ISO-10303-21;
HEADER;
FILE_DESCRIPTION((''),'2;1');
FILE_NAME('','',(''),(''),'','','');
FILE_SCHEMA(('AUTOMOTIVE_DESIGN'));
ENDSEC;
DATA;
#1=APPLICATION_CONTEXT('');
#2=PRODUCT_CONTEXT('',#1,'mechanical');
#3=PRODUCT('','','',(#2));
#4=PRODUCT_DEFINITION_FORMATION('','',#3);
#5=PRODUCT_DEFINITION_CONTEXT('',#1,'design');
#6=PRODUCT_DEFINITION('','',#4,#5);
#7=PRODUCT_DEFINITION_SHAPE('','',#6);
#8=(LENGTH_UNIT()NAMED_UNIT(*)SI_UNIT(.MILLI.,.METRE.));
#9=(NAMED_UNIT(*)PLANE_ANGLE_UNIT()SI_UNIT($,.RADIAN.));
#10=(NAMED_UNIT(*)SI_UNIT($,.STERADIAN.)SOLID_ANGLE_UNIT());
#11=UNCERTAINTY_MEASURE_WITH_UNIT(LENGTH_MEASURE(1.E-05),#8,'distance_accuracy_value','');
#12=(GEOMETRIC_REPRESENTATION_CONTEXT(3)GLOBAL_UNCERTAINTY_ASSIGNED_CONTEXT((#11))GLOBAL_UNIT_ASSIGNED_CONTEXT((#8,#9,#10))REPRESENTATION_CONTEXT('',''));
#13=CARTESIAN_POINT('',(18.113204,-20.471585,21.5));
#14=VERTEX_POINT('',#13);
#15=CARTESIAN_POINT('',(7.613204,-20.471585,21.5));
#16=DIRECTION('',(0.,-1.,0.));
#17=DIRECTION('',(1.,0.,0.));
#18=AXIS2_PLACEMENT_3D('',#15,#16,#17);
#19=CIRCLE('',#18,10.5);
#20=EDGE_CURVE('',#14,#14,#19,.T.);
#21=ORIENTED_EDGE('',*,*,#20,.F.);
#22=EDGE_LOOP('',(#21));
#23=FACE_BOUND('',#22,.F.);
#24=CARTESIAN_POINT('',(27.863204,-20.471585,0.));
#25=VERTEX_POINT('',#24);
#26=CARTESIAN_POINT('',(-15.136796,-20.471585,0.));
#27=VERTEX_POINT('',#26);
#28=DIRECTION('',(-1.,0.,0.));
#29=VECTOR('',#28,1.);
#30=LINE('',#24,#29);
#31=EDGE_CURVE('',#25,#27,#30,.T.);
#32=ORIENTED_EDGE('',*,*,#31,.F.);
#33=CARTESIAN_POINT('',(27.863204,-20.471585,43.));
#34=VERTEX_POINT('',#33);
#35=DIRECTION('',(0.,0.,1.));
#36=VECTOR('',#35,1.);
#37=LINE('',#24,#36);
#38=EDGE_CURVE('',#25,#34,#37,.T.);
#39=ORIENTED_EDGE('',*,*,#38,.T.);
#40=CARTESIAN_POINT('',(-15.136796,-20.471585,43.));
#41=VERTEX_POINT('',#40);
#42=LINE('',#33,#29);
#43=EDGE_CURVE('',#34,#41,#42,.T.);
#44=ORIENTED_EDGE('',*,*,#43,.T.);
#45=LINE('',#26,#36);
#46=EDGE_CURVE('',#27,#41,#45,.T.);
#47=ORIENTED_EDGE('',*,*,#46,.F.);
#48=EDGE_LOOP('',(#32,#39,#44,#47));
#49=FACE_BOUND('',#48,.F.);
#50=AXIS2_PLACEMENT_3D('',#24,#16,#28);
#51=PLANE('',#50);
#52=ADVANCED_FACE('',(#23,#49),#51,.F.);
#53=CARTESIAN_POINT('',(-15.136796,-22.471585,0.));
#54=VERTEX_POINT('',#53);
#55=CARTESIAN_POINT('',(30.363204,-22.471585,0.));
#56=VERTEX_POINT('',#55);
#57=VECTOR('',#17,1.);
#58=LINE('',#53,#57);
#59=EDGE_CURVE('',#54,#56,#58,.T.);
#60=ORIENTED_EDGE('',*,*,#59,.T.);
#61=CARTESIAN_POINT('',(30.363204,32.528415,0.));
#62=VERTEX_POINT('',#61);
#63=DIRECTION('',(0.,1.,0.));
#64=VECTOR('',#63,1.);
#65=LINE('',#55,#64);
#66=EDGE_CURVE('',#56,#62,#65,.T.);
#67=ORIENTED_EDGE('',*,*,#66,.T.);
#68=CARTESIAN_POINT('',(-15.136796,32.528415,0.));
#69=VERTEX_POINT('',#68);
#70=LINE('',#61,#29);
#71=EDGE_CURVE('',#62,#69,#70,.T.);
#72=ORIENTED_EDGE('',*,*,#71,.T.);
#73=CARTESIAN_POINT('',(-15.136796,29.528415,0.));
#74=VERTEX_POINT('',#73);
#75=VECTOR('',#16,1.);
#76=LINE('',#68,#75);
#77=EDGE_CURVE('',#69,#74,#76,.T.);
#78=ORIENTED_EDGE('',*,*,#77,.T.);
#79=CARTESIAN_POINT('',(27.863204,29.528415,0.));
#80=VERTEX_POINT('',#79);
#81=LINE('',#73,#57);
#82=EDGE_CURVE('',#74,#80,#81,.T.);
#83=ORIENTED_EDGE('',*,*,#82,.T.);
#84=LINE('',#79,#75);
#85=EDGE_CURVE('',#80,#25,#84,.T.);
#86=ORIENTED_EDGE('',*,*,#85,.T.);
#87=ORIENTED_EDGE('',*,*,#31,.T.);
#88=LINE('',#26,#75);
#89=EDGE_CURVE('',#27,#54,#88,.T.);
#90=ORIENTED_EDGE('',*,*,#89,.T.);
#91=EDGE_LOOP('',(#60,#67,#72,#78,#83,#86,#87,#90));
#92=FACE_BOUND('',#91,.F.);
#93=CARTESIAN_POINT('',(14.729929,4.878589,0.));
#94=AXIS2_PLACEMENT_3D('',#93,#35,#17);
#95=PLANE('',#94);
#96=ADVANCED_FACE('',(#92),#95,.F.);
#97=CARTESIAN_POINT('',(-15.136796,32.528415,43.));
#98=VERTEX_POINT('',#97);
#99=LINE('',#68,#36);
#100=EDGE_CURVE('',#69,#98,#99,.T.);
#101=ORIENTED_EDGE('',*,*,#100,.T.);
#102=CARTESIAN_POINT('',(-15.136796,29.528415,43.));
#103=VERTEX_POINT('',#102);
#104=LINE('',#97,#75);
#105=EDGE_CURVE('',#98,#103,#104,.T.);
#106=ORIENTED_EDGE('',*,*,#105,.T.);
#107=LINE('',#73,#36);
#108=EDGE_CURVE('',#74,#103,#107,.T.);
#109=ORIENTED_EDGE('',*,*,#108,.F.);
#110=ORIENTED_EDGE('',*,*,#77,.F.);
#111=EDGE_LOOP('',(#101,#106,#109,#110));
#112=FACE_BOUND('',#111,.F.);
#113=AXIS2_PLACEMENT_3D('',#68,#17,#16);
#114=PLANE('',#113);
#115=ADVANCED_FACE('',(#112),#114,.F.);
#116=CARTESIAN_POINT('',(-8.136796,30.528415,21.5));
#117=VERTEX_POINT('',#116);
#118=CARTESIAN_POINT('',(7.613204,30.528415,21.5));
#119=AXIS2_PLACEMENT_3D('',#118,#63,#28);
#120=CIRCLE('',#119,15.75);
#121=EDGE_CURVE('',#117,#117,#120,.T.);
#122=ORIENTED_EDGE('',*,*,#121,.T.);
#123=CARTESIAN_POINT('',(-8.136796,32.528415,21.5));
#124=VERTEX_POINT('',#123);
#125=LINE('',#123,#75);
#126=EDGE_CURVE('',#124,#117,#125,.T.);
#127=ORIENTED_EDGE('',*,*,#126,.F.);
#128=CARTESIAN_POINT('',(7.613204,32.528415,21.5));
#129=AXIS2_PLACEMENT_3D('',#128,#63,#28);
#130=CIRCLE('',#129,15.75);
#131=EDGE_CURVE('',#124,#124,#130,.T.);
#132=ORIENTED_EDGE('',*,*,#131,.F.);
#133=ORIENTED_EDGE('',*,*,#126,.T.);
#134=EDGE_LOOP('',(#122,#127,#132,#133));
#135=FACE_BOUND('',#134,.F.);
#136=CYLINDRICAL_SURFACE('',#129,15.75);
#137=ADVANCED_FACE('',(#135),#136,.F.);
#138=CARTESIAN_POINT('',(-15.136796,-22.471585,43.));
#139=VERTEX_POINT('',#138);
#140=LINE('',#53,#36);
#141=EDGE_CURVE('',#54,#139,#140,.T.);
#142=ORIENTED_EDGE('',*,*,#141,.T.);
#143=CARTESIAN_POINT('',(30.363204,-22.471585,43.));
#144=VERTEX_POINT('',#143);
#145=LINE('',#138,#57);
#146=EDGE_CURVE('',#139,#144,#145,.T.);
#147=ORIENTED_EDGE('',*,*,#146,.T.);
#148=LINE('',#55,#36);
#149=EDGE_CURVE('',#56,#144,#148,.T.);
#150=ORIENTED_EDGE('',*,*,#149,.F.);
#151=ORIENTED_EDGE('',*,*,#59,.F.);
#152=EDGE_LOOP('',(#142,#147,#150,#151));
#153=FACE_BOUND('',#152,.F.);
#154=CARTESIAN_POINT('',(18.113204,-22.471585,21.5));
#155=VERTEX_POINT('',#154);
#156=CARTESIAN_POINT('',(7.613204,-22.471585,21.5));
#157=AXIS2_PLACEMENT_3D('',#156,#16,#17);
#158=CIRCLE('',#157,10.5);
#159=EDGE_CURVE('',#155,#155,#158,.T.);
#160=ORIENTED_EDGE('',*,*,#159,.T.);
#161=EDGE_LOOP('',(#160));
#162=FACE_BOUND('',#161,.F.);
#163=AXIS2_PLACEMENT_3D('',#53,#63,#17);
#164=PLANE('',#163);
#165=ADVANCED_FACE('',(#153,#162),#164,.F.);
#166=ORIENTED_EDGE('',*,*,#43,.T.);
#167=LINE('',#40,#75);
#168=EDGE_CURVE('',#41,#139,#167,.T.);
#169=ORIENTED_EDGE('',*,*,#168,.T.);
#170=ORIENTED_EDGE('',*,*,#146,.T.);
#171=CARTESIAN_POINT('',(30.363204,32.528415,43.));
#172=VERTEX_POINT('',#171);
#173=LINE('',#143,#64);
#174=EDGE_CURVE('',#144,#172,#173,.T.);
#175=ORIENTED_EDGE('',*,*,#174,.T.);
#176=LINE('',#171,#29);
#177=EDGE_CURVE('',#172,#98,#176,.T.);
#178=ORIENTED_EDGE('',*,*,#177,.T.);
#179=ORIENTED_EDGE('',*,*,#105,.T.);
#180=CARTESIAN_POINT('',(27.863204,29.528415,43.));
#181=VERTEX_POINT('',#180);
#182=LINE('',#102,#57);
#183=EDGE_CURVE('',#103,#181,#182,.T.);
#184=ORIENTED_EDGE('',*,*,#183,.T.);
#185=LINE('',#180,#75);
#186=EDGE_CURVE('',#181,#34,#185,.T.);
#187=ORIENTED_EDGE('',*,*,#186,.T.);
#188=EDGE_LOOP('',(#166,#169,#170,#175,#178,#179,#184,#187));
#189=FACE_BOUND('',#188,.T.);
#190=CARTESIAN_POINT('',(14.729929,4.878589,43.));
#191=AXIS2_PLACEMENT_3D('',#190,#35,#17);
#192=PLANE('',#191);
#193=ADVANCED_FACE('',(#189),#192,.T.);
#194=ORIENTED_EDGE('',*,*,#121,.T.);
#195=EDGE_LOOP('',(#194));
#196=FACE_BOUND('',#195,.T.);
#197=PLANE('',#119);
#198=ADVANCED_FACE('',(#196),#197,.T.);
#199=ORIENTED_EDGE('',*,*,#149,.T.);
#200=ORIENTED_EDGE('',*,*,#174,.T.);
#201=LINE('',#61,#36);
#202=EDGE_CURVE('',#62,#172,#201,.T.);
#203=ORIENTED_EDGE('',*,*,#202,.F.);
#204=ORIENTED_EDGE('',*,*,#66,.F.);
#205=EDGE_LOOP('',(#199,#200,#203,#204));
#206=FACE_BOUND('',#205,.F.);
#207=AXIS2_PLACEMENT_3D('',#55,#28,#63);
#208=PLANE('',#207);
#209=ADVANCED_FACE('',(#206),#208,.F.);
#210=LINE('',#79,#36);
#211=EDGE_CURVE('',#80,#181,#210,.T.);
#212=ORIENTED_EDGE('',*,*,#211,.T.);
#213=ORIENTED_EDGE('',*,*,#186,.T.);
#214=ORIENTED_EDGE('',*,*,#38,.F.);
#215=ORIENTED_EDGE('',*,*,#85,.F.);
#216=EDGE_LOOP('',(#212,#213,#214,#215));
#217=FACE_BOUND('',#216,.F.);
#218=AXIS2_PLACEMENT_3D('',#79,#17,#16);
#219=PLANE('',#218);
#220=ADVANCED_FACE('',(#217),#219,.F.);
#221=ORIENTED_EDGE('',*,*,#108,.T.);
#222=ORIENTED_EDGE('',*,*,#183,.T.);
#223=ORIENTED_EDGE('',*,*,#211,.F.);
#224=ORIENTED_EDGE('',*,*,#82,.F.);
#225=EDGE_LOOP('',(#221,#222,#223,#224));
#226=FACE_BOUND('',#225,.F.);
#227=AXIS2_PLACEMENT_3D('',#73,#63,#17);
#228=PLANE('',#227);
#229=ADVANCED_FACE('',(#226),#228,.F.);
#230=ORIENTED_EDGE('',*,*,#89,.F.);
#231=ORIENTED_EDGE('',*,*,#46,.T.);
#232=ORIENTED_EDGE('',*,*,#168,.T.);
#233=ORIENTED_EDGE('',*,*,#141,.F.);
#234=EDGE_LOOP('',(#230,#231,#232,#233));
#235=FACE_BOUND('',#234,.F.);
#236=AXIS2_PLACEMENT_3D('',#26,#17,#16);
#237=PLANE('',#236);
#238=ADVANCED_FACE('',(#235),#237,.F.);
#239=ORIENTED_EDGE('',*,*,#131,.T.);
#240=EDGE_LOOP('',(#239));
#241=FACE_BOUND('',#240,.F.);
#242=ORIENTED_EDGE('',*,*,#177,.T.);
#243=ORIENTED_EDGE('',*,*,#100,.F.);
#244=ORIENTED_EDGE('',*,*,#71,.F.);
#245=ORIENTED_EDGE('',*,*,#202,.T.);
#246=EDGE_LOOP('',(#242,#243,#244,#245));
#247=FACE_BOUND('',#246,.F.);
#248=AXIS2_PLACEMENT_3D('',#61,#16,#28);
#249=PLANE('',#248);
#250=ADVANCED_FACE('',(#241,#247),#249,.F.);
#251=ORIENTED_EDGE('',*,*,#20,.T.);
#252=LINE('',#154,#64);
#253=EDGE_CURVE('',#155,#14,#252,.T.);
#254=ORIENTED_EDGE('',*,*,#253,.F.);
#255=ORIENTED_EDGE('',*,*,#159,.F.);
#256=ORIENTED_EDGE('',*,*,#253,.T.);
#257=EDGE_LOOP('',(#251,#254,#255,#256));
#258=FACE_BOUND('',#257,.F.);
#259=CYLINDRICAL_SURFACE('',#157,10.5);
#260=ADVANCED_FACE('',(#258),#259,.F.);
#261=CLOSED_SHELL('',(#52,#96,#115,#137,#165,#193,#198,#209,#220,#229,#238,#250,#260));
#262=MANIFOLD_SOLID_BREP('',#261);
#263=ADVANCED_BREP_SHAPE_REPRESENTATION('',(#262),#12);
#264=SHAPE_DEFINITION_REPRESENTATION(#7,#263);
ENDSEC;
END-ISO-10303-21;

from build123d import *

# Parameters (mm, degrees)
F1_DEPTH = 43
F2_R     = 10.5
F3_DEPTH = 2
F4_R     = 15.75
F5_DEPTH = 2


with BuildPart() as f1:
    # F0 (on Top) → F1 (new body)
    with BuildSketch(Plane.XY):
        Polygon((30.363204, 32.528415), (-15.136796, 32.528415), (-15.136796, 29.528415), (27.863204, 29.528415), (27.863204, -20.471585), (-15.136796, -20.471585), (-15.136796, -22.471585), (30.363204, -22.471585), align=None)
    extrude(amount=F1_DEPTH)

    # F2 (on face) → F3 (cut, through all)
    with BuildSketch(Plane.XZ.offset(22.471585)):
        with Locations((7.613204, 21.5)):
            Circle(F2_R)
    extrude(amount=-F3_DEPTH, mode=Mode.SUBTRACT)

    # F4 (on face) → F5 (cut)
    with BuildSketch(Plane(origin=(0, 32.528415, 0), x_dir=(-1, 0, 0), z_dir=(0, 1, 0))):
        with Locations((-7.613204, 21.5)):
            Circle(F4_R)
    extrude(amount=-F5_DEPTH, mode=Mode.SUBTRACT)


solid = f1.part
